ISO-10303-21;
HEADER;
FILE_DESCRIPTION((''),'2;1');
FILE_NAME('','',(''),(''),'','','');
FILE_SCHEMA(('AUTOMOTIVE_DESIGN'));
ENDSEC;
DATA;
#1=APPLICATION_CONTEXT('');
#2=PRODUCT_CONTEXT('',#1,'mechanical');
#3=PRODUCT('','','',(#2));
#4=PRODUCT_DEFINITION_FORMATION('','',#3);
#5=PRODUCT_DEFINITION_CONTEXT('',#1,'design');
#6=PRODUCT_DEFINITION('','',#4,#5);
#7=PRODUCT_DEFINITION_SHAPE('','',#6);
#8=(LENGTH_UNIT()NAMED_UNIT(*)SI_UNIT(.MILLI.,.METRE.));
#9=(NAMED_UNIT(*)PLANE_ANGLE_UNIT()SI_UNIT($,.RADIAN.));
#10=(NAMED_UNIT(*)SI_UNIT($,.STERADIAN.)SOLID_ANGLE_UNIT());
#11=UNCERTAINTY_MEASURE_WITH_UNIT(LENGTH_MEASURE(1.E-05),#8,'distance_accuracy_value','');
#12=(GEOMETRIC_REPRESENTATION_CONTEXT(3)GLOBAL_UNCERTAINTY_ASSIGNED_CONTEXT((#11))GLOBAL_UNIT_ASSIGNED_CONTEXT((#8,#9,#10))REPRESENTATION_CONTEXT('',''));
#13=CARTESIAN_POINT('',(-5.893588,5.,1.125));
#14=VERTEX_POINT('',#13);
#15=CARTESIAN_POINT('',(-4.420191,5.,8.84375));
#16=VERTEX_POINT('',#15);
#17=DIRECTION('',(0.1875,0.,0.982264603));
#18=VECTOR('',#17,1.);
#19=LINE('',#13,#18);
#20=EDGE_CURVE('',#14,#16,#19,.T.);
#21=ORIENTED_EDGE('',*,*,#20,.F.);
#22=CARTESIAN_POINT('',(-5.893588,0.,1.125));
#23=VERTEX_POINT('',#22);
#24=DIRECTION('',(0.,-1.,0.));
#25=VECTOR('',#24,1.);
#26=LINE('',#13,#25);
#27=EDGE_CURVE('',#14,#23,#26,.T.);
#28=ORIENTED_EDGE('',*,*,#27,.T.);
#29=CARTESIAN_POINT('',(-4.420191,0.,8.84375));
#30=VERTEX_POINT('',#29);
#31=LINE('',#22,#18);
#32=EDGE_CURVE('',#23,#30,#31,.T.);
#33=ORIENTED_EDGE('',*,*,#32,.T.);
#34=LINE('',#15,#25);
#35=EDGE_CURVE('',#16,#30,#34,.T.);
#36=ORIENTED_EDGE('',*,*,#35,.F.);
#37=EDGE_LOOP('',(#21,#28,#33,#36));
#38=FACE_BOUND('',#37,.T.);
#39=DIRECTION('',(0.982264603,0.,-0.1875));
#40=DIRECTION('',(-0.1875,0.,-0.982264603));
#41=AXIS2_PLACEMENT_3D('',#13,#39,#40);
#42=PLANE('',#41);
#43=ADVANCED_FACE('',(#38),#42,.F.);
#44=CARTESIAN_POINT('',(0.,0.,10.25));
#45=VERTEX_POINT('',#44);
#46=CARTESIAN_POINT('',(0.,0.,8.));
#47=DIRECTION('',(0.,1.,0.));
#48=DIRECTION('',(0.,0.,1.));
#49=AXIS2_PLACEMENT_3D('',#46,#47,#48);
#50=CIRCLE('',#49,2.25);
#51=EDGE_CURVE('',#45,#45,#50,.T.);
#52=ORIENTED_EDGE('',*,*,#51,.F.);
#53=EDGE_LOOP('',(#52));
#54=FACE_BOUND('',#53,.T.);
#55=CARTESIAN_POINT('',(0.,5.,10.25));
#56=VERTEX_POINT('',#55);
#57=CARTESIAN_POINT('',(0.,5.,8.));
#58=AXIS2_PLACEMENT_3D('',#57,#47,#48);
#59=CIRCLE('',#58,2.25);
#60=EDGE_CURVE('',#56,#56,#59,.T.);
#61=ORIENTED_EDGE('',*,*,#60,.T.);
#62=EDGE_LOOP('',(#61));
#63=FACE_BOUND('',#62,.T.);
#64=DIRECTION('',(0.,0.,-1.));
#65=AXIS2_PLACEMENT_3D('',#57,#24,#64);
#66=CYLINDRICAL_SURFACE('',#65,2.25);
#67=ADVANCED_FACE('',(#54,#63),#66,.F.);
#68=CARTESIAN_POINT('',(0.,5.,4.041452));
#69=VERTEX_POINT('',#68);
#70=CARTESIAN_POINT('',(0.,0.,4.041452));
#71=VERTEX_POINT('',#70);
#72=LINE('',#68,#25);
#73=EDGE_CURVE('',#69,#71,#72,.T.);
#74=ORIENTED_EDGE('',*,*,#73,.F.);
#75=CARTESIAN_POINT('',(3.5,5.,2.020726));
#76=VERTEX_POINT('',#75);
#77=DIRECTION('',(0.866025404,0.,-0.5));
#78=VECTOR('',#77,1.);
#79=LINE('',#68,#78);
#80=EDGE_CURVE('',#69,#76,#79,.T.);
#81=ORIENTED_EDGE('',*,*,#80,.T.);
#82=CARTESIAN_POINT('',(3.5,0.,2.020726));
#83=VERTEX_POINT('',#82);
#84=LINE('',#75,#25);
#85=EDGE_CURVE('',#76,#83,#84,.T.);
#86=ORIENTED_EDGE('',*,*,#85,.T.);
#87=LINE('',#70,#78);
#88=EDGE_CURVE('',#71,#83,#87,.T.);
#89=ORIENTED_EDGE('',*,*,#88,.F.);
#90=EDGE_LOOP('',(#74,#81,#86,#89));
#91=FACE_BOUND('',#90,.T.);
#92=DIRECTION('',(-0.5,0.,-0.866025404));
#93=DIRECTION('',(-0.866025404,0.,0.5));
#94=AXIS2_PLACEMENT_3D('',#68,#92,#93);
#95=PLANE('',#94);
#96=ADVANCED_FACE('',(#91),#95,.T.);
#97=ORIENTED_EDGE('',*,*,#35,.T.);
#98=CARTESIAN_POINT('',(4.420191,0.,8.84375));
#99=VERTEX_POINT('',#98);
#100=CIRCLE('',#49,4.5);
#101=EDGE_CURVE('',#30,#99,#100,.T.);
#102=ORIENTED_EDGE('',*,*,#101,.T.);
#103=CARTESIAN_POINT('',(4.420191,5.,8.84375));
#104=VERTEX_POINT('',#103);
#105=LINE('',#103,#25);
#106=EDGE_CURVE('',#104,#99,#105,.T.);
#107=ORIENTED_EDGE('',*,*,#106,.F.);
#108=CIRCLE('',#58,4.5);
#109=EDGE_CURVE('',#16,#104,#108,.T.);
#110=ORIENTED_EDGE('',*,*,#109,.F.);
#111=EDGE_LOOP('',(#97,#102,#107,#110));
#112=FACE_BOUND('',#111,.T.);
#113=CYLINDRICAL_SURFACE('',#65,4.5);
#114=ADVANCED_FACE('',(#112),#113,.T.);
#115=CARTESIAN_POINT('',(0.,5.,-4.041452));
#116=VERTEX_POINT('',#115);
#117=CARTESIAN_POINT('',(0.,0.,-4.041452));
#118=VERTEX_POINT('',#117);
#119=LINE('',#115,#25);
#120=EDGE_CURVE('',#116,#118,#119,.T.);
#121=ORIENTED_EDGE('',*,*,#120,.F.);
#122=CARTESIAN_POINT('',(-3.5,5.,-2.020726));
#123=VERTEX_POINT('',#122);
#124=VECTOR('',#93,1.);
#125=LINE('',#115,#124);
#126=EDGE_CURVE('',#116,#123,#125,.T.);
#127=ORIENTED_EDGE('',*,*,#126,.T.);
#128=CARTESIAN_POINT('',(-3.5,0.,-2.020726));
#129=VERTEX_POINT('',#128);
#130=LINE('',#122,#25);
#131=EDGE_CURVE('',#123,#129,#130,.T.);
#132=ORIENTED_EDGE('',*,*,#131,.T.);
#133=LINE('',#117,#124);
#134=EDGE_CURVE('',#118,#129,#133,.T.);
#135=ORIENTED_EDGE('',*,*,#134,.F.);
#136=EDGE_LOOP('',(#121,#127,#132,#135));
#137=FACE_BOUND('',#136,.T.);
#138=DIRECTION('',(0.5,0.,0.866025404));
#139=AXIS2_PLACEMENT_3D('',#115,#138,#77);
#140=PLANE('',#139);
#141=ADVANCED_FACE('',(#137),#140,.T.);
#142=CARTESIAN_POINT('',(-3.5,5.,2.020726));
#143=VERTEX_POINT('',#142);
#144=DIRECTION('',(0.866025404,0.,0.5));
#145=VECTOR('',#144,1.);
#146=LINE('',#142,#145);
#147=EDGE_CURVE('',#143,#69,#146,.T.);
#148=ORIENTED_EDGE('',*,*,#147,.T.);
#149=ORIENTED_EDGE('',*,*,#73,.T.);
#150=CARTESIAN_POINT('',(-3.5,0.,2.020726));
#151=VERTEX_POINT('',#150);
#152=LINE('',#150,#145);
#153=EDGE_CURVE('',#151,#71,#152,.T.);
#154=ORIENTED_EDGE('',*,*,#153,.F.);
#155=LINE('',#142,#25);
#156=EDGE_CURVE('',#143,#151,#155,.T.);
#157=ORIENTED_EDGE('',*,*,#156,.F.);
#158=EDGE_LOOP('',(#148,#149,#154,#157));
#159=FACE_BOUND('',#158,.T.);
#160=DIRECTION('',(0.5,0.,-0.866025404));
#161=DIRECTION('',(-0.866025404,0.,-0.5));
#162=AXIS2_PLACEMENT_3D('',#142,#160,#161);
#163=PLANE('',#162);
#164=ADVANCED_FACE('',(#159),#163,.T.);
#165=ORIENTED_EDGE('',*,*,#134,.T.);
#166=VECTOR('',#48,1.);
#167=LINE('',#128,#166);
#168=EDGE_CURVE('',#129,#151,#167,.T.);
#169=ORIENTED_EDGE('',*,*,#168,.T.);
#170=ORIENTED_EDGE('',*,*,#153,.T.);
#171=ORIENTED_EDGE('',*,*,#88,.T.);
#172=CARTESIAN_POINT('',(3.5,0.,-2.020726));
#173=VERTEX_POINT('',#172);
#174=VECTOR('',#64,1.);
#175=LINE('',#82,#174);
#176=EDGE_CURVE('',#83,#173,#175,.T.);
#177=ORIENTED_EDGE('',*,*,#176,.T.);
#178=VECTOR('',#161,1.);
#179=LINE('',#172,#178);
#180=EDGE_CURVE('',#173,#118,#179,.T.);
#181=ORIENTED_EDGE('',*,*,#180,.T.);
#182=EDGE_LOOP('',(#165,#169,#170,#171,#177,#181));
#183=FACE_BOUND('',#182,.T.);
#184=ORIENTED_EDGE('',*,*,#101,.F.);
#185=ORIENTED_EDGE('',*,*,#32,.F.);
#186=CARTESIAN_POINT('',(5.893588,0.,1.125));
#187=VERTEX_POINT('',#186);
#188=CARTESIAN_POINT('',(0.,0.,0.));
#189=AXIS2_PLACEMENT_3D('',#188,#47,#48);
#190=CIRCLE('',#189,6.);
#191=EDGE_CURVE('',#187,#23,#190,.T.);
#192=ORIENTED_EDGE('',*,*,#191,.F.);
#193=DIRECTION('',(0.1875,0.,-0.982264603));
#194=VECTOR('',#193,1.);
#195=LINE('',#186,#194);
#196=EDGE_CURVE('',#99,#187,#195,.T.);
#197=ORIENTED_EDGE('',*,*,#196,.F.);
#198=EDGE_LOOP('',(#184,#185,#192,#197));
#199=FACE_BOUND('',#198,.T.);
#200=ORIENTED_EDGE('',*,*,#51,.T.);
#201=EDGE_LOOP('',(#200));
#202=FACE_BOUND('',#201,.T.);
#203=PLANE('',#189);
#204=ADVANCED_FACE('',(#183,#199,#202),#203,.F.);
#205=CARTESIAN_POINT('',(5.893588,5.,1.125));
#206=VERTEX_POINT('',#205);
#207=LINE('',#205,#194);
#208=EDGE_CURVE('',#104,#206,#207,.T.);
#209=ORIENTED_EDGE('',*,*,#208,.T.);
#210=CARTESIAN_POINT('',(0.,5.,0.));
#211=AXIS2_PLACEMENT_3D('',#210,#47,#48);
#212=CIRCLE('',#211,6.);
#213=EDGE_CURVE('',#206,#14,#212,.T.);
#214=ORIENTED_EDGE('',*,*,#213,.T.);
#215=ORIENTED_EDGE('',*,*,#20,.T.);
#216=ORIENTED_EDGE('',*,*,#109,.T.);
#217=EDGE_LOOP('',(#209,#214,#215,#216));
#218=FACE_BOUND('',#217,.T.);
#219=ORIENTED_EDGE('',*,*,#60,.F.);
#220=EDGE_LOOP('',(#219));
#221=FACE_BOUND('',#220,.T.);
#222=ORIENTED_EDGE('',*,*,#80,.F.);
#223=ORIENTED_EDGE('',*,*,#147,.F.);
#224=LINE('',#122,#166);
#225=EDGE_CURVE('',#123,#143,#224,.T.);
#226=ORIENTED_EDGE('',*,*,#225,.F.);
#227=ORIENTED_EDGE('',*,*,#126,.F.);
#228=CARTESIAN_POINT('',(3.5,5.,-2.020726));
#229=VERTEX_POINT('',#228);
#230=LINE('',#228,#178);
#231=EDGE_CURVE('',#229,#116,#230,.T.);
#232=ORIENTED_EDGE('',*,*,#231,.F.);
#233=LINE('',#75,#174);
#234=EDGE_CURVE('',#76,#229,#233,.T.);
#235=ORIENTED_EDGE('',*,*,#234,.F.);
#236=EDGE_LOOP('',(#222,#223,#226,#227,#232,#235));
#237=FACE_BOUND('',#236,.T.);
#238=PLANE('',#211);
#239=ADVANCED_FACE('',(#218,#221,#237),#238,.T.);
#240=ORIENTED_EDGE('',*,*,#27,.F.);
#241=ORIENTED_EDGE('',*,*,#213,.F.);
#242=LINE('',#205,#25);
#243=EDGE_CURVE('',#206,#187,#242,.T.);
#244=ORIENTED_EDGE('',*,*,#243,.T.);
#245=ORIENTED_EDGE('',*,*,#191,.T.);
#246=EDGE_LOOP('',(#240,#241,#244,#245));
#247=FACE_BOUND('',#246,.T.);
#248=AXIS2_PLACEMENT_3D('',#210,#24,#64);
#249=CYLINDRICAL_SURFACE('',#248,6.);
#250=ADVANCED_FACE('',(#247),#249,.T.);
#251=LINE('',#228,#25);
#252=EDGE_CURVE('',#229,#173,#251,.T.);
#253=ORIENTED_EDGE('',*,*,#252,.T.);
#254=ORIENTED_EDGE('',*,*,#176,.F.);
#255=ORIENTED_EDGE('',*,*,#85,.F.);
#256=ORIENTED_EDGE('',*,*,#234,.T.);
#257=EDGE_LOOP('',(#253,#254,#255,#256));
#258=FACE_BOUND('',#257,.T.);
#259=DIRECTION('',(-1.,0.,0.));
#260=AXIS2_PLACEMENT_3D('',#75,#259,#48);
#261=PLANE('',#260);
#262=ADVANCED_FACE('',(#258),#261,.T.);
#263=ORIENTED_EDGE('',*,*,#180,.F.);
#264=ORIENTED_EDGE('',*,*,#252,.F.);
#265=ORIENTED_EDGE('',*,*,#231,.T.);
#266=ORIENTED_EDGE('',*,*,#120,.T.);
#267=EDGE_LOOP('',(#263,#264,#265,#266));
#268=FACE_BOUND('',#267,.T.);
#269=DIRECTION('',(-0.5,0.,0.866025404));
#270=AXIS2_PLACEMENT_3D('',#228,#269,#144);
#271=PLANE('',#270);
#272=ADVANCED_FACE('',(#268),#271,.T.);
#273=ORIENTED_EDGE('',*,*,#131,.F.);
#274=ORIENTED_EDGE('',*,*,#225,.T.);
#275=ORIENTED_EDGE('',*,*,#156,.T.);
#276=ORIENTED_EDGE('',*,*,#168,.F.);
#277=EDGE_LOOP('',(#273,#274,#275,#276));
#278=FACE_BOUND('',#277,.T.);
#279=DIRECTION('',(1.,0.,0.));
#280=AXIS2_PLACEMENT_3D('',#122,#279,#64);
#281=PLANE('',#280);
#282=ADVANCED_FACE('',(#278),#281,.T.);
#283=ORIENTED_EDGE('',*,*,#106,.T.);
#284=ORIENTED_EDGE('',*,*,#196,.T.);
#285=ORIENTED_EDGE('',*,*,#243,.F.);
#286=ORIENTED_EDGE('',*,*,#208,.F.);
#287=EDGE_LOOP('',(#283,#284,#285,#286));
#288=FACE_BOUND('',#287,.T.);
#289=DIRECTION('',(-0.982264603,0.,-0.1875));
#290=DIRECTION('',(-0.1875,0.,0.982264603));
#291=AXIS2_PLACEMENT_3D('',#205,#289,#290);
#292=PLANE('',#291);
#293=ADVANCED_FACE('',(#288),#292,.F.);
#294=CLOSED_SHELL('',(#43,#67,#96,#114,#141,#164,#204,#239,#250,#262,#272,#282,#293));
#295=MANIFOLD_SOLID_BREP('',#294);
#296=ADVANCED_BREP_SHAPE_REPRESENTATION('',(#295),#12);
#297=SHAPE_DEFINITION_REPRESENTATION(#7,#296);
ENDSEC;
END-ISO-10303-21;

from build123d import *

# Parameters (mm, degrees)
SKETCH1_R           = 2.25
BOSS_EXTRUDE1_DEPTH = 5


with BuildPart() as part:
    # Sketch1 → Boss-Extrude1 (new body)
    with BuildSketch(Plane(origin=(0, 0, 0), x_dir=(1, 0, 0), z_dir=(0, 1, 0))):
        with BuildLine():
            Line((-5.893587617, -1.125), (-4.420190713, -8.84375))
            ThreePointArc((-4.420190713, -8.84375), (0, -12.5), (4.420190713, -8.84375))
            Line((4.420190713, -8.84375), (5.893587617, -1.125))
            ThreePointArc((5.893587617, -1.125), (0, 6), (-5.893587617, -1.125))
        make_face()
        with Locations(Location((0, -8, 0), (0, 0, 270))):
            Circle(SKETCH1_R, mode=Mode.SUBTRACT)
        Polygon((0, 4.041451884), (-3.5, 2.020725942), (-3.5, -2.020725942), (0, -4.041451884), (3.5, -2.020725942), (3.5, 2.020725942), align=None, mode=Mode.SUBTRACT)
    extrude(amount=BOSS_EXTRUDE1_DEPTH)


solid = part.part
